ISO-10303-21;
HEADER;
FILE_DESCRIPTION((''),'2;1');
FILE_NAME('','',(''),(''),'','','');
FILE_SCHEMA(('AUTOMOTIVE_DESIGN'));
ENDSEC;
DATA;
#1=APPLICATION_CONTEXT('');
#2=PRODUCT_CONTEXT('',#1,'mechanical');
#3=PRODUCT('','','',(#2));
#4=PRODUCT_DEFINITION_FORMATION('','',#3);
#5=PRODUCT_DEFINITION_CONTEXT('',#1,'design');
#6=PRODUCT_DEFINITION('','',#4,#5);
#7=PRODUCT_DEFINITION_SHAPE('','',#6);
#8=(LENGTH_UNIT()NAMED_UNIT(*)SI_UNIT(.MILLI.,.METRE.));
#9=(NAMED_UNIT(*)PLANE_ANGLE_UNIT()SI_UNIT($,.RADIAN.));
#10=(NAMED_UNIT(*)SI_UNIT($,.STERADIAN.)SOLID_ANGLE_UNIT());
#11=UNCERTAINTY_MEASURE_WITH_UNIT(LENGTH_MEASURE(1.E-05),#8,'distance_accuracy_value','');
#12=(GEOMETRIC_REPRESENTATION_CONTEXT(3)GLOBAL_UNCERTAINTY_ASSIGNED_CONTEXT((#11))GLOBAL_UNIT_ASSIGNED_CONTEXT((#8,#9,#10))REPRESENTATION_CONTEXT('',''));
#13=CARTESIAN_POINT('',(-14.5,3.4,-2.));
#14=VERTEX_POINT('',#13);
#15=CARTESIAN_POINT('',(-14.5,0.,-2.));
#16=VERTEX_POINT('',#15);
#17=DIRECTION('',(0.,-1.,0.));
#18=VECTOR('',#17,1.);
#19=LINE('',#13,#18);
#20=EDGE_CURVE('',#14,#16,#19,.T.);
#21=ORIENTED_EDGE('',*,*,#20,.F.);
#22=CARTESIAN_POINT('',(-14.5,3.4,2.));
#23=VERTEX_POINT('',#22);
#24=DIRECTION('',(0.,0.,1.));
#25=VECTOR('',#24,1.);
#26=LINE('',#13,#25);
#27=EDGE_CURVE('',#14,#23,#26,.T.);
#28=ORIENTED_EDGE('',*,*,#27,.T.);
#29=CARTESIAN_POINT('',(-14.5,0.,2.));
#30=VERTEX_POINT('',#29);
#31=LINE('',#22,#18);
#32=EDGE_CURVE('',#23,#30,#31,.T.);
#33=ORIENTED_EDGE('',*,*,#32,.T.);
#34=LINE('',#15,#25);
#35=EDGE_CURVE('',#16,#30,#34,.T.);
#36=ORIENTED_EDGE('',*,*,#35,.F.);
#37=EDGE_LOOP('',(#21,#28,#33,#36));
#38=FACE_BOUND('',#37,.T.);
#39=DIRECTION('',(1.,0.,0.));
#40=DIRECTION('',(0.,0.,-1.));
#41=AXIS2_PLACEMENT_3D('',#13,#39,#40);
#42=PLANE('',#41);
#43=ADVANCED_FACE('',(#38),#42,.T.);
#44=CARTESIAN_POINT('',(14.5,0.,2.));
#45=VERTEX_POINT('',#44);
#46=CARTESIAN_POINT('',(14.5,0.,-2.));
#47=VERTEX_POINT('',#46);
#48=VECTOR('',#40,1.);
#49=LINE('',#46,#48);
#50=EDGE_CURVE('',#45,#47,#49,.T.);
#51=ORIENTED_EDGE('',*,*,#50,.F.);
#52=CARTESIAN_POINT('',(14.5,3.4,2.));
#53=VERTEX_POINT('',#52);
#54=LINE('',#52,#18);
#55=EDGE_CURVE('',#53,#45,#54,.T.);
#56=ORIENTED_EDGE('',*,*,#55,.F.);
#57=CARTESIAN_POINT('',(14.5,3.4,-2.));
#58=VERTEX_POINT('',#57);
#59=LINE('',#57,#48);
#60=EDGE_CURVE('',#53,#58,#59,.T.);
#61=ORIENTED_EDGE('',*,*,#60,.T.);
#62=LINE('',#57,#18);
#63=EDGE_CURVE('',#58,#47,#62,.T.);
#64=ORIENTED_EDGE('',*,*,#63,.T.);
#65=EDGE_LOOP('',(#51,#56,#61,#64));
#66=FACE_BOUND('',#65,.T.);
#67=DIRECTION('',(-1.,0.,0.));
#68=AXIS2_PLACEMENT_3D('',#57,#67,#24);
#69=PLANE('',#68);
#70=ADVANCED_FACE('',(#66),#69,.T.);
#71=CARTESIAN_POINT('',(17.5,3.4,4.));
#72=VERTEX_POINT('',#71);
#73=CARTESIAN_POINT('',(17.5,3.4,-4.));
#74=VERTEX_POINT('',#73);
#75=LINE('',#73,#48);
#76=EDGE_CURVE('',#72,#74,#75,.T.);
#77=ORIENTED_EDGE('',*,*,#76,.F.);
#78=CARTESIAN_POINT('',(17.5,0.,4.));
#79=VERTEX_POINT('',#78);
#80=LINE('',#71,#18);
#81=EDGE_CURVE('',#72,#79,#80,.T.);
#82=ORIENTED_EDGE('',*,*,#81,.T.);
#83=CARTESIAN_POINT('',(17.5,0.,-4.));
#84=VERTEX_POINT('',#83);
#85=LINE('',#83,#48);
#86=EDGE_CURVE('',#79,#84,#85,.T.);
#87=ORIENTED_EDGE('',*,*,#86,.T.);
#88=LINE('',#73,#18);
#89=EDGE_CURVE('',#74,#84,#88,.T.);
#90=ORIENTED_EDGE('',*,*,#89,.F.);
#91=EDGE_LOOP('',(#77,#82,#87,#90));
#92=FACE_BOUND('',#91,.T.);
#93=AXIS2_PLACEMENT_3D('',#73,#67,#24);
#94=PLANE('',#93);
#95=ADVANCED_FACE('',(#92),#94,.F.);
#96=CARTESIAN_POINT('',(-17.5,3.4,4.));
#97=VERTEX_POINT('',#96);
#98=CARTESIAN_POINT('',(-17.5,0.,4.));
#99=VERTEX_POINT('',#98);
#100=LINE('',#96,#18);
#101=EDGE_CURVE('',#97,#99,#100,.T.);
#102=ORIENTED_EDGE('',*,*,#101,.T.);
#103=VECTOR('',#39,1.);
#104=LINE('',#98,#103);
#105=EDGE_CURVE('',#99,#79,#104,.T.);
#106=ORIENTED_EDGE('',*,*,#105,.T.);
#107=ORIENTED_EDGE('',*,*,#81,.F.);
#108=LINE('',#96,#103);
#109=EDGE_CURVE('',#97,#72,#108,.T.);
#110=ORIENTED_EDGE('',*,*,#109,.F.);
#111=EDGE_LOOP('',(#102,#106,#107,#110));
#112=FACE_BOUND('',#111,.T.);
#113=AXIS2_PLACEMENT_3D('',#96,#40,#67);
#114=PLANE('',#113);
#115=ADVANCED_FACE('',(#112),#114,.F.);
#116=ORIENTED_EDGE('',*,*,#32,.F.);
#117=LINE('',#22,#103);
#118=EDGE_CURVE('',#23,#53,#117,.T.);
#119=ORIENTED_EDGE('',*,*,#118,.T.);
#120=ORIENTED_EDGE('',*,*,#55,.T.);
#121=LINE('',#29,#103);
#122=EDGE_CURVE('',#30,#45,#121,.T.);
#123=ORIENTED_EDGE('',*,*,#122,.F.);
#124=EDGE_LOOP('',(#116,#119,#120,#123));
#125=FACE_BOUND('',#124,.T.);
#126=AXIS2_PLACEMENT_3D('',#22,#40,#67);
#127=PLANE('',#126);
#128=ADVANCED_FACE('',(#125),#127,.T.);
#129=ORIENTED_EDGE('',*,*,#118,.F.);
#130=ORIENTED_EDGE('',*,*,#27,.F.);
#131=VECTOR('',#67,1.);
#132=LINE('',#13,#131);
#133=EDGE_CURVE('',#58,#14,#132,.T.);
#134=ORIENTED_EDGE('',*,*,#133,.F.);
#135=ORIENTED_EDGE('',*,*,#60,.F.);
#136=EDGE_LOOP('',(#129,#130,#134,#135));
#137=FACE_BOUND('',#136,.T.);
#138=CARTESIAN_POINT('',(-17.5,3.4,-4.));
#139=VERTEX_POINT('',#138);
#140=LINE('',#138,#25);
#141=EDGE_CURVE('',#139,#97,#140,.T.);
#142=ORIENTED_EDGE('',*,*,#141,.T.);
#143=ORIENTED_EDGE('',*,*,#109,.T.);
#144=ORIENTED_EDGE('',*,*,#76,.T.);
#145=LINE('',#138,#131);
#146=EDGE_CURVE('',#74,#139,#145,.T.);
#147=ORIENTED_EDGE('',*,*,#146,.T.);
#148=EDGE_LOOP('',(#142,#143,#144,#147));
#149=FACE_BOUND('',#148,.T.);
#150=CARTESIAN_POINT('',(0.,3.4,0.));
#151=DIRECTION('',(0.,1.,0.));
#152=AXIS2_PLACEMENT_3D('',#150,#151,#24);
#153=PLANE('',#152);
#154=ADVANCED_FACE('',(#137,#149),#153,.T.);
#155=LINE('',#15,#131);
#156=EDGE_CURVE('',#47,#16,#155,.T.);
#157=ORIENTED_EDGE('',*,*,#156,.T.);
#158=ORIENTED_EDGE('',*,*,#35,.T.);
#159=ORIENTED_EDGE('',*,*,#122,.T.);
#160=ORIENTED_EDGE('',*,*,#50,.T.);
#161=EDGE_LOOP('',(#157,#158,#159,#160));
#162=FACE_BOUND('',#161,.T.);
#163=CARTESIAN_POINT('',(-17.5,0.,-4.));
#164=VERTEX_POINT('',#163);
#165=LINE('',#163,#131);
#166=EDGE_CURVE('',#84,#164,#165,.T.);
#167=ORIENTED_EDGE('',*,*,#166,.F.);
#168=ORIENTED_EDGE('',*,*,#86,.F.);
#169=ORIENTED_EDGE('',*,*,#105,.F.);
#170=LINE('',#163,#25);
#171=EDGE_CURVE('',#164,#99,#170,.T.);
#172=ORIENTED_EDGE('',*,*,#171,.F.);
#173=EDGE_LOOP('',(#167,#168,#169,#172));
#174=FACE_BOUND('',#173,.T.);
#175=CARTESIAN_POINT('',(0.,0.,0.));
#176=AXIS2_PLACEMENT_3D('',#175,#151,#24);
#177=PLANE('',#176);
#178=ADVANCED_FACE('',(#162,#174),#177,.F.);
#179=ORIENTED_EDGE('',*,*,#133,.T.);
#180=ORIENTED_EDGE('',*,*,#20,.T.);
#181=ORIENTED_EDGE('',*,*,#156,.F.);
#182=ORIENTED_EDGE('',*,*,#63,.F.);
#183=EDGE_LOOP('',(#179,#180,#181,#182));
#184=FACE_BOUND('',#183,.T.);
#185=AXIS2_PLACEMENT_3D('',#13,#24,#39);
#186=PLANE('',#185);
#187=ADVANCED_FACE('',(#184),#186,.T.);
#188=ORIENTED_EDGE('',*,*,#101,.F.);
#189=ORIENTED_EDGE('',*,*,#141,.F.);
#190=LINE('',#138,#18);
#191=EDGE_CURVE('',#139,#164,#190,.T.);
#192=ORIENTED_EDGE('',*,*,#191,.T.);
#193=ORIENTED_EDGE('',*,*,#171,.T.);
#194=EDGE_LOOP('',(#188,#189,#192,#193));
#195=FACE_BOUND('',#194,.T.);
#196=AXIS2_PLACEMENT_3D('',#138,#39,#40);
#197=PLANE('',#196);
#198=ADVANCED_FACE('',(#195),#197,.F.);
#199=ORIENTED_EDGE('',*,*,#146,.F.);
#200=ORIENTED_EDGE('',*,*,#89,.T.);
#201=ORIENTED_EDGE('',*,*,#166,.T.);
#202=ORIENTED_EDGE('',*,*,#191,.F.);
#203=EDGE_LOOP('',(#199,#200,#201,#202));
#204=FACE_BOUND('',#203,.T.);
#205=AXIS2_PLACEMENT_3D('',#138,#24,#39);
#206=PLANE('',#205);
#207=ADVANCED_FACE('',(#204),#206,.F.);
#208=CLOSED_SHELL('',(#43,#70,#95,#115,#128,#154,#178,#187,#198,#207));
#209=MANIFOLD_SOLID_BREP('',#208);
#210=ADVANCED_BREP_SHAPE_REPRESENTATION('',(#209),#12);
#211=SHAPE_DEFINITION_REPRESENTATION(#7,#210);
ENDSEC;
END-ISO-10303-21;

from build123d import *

# Parameters (mm, degrees)
SKETCH_1_W      = 35
SKETCH_1_H      = 8
SKETCH_1_W_2    = 29
SKETCH_1_H_2    = 4
EXTRUDE_1_DEPTH = 3.4


with BuildPart() as part:
    # 草图1 → 凸台-拉伸1 (new body)
    with BuildSketch(Plane(origin=(0, 0, 0), x_dir=(1, 0, 0), z_dir=(0, 1, 0))):
        Rectangle(SKETCH_1_W, SKETCH_1_H)
        Rectangle(SKETCH_1_W_2, SKETCH_1_H_2, mode=Mode.SUBTRACT)
    extrude(amount=EXTRUDE_1_DEPTH)


solid = part.part
